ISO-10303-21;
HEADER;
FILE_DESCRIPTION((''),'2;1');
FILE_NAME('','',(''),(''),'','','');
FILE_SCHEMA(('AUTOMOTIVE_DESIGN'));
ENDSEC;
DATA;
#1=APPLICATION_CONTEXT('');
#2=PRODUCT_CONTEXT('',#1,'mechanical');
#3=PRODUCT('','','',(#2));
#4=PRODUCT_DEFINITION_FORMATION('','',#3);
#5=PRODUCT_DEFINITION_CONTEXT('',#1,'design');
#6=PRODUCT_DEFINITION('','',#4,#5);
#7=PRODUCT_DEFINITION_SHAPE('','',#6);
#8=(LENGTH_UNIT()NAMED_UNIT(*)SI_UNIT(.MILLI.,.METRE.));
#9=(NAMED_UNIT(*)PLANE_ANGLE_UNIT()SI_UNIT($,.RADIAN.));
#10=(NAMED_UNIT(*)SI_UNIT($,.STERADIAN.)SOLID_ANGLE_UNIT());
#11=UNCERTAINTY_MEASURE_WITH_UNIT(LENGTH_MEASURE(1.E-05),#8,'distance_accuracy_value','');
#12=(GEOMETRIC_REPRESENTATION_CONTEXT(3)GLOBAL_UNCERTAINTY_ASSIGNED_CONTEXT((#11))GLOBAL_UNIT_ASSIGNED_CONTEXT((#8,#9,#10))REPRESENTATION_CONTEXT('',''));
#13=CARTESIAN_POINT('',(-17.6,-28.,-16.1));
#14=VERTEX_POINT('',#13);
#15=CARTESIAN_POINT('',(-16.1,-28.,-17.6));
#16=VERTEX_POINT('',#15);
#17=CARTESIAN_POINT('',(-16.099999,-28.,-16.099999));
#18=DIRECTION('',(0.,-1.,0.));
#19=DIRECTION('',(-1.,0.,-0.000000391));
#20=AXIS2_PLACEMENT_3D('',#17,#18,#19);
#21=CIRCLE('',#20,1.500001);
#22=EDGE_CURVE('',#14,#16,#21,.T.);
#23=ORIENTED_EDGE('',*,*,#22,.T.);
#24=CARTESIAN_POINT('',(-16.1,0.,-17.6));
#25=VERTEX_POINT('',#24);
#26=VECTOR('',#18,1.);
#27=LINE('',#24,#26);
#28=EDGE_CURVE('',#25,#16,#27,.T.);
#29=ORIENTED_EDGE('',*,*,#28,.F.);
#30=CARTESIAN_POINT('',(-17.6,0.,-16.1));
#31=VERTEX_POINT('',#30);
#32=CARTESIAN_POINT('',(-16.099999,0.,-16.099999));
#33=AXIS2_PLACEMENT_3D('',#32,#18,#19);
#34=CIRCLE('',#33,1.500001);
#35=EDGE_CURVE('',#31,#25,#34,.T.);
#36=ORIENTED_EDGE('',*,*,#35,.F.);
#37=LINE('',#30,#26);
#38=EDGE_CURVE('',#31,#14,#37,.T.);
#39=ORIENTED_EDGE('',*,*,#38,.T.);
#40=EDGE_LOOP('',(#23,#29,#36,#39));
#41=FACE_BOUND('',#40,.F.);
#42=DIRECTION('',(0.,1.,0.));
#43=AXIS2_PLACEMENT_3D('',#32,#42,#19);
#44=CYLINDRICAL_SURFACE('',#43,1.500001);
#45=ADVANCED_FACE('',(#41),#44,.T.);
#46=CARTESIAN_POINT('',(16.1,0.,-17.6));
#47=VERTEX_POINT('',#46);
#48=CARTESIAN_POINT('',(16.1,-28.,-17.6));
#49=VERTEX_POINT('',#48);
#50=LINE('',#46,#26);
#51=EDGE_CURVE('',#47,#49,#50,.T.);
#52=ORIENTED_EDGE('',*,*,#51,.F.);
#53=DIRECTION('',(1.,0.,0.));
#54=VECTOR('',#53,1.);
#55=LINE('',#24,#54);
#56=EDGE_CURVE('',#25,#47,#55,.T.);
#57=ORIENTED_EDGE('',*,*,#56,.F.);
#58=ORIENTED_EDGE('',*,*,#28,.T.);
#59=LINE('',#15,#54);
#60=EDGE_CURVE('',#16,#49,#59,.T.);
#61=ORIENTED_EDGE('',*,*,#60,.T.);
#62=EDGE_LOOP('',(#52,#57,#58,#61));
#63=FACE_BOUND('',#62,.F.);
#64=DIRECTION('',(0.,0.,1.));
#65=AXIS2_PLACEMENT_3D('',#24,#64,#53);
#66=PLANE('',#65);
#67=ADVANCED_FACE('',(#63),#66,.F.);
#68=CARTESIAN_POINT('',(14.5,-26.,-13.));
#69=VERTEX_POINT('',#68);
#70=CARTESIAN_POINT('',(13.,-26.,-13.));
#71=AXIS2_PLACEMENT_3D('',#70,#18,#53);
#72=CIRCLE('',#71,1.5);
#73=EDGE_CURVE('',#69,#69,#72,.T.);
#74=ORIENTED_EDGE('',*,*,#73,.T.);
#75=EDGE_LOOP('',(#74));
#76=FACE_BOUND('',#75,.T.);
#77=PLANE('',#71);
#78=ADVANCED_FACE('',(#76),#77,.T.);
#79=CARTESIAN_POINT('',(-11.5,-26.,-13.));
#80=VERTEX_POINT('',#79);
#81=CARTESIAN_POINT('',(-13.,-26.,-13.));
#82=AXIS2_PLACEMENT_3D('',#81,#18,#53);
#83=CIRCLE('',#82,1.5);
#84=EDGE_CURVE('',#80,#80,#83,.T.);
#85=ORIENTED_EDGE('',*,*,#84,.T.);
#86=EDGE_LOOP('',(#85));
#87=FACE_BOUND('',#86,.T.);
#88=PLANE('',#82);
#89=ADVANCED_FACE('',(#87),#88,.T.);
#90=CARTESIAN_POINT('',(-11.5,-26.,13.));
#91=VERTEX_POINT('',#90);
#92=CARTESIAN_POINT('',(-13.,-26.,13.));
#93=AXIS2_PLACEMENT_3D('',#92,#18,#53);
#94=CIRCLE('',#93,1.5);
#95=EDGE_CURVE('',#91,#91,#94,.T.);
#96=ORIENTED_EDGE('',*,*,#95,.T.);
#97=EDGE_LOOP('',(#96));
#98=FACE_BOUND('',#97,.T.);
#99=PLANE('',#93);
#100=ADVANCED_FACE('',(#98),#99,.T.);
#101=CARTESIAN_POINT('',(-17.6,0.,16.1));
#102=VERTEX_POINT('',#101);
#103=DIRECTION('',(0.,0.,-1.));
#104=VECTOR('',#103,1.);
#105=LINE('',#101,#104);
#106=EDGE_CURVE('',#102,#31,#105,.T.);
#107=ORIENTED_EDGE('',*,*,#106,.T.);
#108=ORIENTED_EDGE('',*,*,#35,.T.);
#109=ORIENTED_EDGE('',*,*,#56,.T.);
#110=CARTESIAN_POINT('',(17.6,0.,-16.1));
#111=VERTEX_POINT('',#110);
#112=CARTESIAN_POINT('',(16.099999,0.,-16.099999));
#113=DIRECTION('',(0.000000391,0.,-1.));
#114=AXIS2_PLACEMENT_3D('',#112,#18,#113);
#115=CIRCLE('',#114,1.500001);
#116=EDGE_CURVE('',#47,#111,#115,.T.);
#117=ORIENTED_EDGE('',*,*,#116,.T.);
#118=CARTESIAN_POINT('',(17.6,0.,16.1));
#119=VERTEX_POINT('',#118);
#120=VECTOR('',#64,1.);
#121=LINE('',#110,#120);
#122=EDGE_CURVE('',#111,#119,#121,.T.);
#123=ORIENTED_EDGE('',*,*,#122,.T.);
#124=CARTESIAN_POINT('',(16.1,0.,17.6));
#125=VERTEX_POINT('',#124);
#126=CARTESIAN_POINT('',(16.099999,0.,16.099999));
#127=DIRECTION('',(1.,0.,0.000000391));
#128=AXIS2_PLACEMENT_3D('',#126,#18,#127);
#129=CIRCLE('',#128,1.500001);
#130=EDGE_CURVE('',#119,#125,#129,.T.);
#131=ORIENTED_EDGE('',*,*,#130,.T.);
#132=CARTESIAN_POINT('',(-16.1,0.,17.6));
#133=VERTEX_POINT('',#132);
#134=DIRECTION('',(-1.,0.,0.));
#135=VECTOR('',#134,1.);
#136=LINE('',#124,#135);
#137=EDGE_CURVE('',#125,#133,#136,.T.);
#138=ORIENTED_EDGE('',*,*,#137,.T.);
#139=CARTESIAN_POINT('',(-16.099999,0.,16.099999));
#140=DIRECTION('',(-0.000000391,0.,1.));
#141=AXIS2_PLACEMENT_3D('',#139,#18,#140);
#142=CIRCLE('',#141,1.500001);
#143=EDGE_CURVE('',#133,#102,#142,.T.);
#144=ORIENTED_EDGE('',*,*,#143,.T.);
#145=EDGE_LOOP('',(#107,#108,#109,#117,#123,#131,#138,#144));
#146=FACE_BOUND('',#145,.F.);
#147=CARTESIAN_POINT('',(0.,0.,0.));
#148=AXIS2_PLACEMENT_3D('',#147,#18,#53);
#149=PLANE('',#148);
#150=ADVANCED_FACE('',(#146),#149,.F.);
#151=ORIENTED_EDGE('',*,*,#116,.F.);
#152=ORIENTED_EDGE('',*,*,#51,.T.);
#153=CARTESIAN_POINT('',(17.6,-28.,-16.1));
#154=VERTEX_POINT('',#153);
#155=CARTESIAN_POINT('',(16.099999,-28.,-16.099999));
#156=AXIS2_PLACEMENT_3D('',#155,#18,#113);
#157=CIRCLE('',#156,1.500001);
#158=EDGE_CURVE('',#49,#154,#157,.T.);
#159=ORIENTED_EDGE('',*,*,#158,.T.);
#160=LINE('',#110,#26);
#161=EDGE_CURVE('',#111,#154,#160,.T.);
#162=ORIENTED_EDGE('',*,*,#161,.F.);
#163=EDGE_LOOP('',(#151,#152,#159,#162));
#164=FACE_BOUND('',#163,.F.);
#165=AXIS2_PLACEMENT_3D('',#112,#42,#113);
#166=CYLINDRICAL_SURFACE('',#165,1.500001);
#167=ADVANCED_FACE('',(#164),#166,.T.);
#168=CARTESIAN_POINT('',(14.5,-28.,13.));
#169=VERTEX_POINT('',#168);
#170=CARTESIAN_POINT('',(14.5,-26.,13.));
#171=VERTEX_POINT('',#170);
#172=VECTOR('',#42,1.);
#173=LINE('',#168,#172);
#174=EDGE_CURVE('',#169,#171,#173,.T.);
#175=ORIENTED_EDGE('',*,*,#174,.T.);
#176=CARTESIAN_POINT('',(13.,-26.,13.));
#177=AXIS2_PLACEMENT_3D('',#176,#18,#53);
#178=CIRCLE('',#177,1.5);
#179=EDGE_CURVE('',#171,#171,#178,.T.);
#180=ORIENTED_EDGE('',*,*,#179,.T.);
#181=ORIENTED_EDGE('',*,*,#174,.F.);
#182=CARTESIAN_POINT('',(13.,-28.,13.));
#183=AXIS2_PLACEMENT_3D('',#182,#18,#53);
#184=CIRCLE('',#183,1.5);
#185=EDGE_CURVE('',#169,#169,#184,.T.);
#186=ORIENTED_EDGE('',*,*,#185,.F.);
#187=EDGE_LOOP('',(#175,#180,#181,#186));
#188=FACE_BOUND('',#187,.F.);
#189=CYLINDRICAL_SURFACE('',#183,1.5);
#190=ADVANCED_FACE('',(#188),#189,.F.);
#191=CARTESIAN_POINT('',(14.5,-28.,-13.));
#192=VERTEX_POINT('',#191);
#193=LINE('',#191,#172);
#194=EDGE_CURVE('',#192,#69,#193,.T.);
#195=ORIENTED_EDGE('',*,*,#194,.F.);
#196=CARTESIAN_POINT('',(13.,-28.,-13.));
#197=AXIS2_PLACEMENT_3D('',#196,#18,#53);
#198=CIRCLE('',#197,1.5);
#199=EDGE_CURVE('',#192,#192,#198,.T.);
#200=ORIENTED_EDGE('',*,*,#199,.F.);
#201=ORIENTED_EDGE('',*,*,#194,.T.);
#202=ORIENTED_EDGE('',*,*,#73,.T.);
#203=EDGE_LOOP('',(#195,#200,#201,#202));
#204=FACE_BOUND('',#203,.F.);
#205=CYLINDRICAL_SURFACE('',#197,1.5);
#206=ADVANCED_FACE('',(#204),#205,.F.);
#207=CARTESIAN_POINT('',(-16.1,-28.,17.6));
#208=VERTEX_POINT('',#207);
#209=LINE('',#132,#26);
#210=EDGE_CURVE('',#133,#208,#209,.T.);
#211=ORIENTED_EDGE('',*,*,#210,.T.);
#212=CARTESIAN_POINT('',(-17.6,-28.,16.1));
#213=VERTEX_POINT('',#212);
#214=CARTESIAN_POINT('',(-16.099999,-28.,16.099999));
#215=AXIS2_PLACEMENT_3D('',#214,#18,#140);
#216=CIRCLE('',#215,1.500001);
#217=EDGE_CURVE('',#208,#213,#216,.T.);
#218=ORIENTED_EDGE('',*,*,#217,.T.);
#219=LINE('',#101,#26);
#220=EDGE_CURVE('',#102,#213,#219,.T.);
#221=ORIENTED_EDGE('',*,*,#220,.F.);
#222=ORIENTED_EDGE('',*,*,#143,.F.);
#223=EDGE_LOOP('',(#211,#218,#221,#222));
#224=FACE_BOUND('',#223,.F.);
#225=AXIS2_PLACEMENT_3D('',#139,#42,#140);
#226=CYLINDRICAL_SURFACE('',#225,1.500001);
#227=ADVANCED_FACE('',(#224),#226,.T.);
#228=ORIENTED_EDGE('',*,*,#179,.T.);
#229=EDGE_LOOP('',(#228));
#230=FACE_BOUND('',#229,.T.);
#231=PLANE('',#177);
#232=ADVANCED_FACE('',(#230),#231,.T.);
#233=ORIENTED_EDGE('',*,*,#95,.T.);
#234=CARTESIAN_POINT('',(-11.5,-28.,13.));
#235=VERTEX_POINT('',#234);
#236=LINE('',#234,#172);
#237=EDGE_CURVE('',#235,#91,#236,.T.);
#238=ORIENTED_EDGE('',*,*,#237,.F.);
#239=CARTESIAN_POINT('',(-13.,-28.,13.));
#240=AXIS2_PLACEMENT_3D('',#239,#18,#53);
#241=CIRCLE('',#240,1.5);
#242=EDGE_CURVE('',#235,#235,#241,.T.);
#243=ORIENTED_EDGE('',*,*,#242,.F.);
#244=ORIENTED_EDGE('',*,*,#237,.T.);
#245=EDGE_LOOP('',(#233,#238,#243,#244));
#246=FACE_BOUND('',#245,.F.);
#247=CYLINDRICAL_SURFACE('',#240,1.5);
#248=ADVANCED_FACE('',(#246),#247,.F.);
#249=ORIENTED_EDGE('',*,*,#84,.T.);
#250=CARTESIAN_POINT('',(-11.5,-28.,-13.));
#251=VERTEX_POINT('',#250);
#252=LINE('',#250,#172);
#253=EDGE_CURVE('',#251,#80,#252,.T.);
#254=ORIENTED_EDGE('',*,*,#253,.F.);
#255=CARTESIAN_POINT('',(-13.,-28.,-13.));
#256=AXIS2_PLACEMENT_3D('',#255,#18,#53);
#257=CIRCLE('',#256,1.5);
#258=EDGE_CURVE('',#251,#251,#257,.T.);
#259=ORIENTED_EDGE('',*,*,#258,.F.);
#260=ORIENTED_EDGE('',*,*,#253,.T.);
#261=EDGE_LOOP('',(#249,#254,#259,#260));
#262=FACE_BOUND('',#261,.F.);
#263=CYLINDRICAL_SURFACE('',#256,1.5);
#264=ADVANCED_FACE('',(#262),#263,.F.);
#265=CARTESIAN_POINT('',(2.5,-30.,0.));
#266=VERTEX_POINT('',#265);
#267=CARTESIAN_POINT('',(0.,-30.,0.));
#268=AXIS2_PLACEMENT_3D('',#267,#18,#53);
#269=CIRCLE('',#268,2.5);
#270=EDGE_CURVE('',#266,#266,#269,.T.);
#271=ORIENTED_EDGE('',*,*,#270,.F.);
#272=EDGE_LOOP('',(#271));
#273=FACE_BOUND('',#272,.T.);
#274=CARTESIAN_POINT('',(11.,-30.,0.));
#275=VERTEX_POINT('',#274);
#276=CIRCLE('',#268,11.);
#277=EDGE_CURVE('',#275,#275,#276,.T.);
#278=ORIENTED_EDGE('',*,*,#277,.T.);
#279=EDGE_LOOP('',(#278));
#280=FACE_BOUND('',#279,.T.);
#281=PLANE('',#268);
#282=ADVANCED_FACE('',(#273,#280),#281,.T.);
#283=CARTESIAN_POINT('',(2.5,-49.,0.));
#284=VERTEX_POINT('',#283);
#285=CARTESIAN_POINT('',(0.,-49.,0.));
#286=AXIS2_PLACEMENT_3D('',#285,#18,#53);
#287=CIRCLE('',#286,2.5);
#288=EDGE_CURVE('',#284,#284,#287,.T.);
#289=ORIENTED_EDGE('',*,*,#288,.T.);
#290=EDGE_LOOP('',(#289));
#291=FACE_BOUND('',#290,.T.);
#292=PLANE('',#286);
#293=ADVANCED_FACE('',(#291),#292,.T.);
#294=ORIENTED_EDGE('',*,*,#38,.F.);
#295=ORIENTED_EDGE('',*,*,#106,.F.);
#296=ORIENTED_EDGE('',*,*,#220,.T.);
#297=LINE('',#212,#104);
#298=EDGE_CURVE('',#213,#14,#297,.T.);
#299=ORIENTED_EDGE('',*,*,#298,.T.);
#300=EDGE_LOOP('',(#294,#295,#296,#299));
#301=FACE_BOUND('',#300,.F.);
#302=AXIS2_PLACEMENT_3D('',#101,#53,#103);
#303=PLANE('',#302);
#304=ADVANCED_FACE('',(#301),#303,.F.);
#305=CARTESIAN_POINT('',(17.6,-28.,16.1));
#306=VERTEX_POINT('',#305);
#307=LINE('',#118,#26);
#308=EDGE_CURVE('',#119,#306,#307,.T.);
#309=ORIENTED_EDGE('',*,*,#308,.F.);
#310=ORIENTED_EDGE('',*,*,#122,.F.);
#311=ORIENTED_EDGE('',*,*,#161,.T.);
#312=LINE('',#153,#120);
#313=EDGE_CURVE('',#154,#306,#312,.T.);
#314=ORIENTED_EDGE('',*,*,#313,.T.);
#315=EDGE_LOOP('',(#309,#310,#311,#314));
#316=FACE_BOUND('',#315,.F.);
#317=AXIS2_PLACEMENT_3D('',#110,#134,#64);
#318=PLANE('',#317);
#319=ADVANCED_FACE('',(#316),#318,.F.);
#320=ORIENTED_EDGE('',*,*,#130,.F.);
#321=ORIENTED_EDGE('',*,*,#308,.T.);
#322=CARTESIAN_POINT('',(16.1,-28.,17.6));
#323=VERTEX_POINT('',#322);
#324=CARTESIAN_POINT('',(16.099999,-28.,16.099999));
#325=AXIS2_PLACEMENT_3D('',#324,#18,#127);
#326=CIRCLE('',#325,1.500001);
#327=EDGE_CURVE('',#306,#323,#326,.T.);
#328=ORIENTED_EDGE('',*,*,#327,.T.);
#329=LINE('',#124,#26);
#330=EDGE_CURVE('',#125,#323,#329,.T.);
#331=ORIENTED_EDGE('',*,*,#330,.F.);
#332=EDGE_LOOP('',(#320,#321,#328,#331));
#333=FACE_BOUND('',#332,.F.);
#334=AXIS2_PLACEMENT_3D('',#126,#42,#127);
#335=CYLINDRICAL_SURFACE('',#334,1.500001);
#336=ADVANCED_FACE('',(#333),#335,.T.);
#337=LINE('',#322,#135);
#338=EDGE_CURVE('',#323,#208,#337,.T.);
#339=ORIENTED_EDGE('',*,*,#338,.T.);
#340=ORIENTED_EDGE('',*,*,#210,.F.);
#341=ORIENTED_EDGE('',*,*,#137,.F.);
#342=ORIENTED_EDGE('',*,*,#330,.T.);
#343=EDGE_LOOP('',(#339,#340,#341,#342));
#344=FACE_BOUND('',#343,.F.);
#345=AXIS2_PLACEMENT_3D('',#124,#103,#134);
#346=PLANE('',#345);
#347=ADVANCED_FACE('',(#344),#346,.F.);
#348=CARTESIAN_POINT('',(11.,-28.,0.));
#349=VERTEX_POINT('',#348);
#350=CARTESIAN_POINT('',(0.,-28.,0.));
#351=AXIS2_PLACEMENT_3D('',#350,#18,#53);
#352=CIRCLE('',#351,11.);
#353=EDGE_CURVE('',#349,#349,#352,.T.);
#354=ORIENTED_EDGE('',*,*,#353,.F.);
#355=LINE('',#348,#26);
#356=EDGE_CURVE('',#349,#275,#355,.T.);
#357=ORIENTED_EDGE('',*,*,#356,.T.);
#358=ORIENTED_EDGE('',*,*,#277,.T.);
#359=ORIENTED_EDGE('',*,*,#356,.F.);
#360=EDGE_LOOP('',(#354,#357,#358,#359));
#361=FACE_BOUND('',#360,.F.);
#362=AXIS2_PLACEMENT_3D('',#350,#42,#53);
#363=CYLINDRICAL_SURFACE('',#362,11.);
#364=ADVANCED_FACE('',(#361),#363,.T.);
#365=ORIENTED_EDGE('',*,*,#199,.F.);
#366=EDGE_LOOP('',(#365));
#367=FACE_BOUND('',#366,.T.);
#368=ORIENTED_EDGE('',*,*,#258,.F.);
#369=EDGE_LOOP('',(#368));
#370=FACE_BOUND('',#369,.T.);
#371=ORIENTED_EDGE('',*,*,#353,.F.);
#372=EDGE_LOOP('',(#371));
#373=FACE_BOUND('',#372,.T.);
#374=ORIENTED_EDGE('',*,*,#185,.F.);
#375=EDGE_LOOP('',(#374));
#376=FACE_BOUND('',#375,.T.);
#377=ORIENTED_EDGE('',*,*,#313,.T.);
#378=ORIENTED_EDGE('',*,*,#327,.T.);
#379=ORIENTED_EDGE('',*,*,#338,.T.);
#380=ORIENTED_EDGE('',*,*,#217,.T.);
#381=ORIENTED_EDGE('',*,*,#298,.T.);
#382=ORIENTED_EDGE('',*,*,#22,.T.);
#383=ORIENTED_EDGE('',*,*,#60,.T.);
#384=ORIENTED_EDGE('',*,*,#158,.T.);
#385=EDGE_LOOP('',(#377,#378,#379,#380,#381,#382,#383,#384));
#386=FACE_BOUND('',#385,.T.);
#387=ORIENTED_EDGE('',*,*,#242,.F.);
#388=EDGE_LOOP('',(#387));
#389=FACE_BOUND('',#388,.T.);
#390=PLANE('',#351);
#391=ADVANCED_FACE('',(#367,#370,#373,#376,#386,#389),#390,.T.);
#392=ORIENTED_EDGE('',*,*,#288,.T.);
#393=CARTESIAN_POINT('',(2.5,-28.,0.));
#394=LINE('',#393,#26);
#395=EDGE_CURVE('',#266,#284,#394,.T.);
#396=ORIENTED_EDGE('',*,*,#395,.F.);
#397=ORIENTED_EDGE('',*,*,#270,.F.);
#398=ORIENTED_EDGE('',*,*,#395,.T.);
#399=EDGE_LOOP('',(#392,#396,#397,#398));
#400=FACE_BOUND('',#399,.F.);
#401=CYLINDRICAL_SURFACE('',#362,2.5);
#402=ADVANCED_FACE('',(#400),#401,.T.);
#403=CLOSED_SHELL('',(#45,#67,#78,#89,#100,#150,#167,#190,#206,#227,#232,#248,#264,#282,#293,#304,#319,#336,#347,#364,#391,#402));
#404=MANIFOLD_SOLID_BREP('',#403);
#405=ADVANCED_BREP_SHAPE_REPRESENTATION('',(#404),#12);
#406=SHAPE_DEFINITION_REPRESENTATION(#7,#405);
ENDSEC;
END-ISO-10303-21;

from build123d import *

# Parameters (mm, degrees)
F1_DEPTH = 28
F2_R     = 11
F2_R_2   = 2.5
F3_DEPTH = 2
F2_R_3   = 1.5
F4_DEPTH = 2
F5_DEPTH = 21


with BuildPart() as f1:
    # F0 (on Front) → F1 (new body)
    with BuildSketch(Plane.XZ):
        with BuildLine():
            Line((-16.1, -17.6), (16.1, -17.6))
            ThreePointArc((16.1, -17.6), (17.16066, -17.16066), (17.6, -16.1))
            Line((17.6, -16.1), (17.6, 16.1))
            ThreePointArc((17.6, 16.1), (17.16066, 17.16066), (16.1, 17.6))
            Line((16.1, 17.6), (-16.1, 17.6))
            ThreePointArc((-16.1, 17.6), (-17.16066, 17.16066), (-17.6, 16.1))
            Line((-17.6, 16.1), (-17.6, -16.1))
            ThreePointArc((-17.6, -16.1), (-17.16066, -17.16066), (-16.1, -17.6))
        make_face()
    extrude(amount=F1_DEPTH)

    # F2 (on face) → F3 (join)
    with BuildSketch(Plane.XZ.offset(28)):
        Circle(F2_R)
        Circle(F2_R_2, mode=Mode.SUBTRACT)
    extrude(amount=F3_DEPTH)

    # F2 (on face) → F4 (cut)
    with BuildSketch(Plane.XZ.offset(28)):
        with Locations((-13, 13)):
            Circle(F2_R_3)
        with Locations((13, 13)):
            Circle(F2_R_3)
        with Locations((13, -13)):
            Circle(F2_R_3)
        with Locations((-13, -13)):
            Circle(F2_R_3)
    extrude(amount=-F4_DEPTH, mode=Mode.SUBTRACT)

    # F2 (on face) → F5 (join)
    with BuildSketch(Plane.XZ.offset(28)):
        Circle(F2_R_2)
    extrude(amount=F5_DEPTH)


solid = f1.part
